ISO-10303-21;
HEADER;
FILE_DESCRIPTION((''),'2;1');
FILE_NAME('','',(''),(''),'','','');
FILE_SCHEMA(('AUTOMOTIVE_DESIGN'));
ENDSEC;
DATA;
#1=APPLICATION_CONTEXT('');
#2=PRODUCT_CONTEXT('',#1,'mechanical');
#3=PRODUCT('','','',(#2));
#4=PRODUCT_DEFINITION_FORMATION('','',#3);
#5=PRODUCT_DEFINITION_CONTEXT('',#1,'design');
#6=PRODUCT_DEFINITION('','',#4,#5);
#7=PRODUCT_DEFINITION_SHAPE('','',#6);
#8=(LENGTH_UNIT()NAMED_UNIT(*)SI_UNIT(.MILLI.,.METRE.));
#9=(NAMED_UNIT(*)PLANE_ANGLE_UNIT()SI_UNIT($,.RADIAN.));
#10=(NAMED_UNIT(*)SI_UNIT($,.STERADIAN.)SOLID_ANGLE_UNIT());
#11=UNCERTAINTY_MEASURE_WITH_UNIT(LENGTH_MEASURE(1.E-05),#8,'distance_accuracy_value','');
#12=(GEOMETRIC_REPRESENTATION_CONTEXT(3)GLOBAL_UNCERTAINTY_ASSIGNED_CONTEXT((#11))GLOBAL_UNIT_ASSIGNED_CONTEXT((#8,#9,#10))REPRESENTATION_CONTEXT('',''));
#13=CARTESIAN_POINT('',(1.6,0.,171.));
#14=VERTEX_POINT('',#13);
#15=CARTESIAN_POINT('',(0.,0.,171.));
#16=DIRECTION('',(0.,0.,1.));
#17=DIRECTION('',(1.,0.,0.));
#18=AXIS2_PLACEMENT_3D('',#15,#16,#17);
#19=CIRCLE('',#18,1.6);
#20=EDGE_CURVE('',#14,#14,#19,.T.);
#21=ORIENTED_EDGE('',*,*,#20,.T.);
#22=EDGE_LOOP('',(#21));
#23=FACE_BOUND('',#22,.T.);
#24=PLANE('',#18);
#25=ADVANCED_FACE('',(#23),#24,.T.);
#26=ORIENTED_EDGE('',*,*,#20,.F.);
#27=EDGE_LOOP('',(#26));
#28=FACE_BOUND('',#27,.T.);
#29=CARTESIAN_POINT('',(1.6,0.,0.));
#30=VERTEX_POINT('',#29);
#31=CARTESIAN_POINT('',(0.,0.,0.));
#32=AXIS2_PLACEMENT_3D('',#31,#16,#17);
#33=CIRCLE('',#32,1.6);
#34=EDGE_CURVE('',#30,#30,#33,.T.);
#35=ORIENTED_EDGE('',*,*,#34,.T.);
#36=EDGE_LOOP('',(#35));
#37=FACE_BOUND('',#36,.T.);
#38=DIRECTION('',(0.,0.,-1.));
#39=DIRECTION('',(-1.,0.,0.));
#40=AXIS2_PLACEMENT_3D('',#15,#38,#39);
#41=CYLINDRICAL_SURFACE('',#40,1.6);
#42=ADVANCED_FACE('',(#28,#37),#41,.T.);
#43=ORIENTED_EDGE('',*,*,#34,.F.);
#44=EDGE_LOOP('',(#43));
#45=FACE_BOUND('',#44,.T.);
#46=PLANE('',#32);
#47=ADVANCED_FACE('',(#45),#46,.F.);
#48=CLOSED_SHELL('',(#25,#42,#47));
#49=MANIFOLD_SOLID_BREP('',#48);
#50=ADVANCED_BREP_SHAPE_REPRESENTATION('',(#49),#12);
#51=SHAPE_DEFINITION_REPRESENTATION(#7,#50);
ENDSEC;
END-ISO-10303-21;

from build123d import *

# Parameters (mm, degrees)
SKETCH_6_R      = 1.6
EXTRUDE_3_DEPTH = 171


with BuildPart() as part:
    # 草图6 → 凸台-拉伸3 (new body)
    with BuildSketch(Plane.XY):
        Circle(SKETCH_6_R)
    extrude(amount=EXTRUDE_3_DEPTH)


solid = part.part
